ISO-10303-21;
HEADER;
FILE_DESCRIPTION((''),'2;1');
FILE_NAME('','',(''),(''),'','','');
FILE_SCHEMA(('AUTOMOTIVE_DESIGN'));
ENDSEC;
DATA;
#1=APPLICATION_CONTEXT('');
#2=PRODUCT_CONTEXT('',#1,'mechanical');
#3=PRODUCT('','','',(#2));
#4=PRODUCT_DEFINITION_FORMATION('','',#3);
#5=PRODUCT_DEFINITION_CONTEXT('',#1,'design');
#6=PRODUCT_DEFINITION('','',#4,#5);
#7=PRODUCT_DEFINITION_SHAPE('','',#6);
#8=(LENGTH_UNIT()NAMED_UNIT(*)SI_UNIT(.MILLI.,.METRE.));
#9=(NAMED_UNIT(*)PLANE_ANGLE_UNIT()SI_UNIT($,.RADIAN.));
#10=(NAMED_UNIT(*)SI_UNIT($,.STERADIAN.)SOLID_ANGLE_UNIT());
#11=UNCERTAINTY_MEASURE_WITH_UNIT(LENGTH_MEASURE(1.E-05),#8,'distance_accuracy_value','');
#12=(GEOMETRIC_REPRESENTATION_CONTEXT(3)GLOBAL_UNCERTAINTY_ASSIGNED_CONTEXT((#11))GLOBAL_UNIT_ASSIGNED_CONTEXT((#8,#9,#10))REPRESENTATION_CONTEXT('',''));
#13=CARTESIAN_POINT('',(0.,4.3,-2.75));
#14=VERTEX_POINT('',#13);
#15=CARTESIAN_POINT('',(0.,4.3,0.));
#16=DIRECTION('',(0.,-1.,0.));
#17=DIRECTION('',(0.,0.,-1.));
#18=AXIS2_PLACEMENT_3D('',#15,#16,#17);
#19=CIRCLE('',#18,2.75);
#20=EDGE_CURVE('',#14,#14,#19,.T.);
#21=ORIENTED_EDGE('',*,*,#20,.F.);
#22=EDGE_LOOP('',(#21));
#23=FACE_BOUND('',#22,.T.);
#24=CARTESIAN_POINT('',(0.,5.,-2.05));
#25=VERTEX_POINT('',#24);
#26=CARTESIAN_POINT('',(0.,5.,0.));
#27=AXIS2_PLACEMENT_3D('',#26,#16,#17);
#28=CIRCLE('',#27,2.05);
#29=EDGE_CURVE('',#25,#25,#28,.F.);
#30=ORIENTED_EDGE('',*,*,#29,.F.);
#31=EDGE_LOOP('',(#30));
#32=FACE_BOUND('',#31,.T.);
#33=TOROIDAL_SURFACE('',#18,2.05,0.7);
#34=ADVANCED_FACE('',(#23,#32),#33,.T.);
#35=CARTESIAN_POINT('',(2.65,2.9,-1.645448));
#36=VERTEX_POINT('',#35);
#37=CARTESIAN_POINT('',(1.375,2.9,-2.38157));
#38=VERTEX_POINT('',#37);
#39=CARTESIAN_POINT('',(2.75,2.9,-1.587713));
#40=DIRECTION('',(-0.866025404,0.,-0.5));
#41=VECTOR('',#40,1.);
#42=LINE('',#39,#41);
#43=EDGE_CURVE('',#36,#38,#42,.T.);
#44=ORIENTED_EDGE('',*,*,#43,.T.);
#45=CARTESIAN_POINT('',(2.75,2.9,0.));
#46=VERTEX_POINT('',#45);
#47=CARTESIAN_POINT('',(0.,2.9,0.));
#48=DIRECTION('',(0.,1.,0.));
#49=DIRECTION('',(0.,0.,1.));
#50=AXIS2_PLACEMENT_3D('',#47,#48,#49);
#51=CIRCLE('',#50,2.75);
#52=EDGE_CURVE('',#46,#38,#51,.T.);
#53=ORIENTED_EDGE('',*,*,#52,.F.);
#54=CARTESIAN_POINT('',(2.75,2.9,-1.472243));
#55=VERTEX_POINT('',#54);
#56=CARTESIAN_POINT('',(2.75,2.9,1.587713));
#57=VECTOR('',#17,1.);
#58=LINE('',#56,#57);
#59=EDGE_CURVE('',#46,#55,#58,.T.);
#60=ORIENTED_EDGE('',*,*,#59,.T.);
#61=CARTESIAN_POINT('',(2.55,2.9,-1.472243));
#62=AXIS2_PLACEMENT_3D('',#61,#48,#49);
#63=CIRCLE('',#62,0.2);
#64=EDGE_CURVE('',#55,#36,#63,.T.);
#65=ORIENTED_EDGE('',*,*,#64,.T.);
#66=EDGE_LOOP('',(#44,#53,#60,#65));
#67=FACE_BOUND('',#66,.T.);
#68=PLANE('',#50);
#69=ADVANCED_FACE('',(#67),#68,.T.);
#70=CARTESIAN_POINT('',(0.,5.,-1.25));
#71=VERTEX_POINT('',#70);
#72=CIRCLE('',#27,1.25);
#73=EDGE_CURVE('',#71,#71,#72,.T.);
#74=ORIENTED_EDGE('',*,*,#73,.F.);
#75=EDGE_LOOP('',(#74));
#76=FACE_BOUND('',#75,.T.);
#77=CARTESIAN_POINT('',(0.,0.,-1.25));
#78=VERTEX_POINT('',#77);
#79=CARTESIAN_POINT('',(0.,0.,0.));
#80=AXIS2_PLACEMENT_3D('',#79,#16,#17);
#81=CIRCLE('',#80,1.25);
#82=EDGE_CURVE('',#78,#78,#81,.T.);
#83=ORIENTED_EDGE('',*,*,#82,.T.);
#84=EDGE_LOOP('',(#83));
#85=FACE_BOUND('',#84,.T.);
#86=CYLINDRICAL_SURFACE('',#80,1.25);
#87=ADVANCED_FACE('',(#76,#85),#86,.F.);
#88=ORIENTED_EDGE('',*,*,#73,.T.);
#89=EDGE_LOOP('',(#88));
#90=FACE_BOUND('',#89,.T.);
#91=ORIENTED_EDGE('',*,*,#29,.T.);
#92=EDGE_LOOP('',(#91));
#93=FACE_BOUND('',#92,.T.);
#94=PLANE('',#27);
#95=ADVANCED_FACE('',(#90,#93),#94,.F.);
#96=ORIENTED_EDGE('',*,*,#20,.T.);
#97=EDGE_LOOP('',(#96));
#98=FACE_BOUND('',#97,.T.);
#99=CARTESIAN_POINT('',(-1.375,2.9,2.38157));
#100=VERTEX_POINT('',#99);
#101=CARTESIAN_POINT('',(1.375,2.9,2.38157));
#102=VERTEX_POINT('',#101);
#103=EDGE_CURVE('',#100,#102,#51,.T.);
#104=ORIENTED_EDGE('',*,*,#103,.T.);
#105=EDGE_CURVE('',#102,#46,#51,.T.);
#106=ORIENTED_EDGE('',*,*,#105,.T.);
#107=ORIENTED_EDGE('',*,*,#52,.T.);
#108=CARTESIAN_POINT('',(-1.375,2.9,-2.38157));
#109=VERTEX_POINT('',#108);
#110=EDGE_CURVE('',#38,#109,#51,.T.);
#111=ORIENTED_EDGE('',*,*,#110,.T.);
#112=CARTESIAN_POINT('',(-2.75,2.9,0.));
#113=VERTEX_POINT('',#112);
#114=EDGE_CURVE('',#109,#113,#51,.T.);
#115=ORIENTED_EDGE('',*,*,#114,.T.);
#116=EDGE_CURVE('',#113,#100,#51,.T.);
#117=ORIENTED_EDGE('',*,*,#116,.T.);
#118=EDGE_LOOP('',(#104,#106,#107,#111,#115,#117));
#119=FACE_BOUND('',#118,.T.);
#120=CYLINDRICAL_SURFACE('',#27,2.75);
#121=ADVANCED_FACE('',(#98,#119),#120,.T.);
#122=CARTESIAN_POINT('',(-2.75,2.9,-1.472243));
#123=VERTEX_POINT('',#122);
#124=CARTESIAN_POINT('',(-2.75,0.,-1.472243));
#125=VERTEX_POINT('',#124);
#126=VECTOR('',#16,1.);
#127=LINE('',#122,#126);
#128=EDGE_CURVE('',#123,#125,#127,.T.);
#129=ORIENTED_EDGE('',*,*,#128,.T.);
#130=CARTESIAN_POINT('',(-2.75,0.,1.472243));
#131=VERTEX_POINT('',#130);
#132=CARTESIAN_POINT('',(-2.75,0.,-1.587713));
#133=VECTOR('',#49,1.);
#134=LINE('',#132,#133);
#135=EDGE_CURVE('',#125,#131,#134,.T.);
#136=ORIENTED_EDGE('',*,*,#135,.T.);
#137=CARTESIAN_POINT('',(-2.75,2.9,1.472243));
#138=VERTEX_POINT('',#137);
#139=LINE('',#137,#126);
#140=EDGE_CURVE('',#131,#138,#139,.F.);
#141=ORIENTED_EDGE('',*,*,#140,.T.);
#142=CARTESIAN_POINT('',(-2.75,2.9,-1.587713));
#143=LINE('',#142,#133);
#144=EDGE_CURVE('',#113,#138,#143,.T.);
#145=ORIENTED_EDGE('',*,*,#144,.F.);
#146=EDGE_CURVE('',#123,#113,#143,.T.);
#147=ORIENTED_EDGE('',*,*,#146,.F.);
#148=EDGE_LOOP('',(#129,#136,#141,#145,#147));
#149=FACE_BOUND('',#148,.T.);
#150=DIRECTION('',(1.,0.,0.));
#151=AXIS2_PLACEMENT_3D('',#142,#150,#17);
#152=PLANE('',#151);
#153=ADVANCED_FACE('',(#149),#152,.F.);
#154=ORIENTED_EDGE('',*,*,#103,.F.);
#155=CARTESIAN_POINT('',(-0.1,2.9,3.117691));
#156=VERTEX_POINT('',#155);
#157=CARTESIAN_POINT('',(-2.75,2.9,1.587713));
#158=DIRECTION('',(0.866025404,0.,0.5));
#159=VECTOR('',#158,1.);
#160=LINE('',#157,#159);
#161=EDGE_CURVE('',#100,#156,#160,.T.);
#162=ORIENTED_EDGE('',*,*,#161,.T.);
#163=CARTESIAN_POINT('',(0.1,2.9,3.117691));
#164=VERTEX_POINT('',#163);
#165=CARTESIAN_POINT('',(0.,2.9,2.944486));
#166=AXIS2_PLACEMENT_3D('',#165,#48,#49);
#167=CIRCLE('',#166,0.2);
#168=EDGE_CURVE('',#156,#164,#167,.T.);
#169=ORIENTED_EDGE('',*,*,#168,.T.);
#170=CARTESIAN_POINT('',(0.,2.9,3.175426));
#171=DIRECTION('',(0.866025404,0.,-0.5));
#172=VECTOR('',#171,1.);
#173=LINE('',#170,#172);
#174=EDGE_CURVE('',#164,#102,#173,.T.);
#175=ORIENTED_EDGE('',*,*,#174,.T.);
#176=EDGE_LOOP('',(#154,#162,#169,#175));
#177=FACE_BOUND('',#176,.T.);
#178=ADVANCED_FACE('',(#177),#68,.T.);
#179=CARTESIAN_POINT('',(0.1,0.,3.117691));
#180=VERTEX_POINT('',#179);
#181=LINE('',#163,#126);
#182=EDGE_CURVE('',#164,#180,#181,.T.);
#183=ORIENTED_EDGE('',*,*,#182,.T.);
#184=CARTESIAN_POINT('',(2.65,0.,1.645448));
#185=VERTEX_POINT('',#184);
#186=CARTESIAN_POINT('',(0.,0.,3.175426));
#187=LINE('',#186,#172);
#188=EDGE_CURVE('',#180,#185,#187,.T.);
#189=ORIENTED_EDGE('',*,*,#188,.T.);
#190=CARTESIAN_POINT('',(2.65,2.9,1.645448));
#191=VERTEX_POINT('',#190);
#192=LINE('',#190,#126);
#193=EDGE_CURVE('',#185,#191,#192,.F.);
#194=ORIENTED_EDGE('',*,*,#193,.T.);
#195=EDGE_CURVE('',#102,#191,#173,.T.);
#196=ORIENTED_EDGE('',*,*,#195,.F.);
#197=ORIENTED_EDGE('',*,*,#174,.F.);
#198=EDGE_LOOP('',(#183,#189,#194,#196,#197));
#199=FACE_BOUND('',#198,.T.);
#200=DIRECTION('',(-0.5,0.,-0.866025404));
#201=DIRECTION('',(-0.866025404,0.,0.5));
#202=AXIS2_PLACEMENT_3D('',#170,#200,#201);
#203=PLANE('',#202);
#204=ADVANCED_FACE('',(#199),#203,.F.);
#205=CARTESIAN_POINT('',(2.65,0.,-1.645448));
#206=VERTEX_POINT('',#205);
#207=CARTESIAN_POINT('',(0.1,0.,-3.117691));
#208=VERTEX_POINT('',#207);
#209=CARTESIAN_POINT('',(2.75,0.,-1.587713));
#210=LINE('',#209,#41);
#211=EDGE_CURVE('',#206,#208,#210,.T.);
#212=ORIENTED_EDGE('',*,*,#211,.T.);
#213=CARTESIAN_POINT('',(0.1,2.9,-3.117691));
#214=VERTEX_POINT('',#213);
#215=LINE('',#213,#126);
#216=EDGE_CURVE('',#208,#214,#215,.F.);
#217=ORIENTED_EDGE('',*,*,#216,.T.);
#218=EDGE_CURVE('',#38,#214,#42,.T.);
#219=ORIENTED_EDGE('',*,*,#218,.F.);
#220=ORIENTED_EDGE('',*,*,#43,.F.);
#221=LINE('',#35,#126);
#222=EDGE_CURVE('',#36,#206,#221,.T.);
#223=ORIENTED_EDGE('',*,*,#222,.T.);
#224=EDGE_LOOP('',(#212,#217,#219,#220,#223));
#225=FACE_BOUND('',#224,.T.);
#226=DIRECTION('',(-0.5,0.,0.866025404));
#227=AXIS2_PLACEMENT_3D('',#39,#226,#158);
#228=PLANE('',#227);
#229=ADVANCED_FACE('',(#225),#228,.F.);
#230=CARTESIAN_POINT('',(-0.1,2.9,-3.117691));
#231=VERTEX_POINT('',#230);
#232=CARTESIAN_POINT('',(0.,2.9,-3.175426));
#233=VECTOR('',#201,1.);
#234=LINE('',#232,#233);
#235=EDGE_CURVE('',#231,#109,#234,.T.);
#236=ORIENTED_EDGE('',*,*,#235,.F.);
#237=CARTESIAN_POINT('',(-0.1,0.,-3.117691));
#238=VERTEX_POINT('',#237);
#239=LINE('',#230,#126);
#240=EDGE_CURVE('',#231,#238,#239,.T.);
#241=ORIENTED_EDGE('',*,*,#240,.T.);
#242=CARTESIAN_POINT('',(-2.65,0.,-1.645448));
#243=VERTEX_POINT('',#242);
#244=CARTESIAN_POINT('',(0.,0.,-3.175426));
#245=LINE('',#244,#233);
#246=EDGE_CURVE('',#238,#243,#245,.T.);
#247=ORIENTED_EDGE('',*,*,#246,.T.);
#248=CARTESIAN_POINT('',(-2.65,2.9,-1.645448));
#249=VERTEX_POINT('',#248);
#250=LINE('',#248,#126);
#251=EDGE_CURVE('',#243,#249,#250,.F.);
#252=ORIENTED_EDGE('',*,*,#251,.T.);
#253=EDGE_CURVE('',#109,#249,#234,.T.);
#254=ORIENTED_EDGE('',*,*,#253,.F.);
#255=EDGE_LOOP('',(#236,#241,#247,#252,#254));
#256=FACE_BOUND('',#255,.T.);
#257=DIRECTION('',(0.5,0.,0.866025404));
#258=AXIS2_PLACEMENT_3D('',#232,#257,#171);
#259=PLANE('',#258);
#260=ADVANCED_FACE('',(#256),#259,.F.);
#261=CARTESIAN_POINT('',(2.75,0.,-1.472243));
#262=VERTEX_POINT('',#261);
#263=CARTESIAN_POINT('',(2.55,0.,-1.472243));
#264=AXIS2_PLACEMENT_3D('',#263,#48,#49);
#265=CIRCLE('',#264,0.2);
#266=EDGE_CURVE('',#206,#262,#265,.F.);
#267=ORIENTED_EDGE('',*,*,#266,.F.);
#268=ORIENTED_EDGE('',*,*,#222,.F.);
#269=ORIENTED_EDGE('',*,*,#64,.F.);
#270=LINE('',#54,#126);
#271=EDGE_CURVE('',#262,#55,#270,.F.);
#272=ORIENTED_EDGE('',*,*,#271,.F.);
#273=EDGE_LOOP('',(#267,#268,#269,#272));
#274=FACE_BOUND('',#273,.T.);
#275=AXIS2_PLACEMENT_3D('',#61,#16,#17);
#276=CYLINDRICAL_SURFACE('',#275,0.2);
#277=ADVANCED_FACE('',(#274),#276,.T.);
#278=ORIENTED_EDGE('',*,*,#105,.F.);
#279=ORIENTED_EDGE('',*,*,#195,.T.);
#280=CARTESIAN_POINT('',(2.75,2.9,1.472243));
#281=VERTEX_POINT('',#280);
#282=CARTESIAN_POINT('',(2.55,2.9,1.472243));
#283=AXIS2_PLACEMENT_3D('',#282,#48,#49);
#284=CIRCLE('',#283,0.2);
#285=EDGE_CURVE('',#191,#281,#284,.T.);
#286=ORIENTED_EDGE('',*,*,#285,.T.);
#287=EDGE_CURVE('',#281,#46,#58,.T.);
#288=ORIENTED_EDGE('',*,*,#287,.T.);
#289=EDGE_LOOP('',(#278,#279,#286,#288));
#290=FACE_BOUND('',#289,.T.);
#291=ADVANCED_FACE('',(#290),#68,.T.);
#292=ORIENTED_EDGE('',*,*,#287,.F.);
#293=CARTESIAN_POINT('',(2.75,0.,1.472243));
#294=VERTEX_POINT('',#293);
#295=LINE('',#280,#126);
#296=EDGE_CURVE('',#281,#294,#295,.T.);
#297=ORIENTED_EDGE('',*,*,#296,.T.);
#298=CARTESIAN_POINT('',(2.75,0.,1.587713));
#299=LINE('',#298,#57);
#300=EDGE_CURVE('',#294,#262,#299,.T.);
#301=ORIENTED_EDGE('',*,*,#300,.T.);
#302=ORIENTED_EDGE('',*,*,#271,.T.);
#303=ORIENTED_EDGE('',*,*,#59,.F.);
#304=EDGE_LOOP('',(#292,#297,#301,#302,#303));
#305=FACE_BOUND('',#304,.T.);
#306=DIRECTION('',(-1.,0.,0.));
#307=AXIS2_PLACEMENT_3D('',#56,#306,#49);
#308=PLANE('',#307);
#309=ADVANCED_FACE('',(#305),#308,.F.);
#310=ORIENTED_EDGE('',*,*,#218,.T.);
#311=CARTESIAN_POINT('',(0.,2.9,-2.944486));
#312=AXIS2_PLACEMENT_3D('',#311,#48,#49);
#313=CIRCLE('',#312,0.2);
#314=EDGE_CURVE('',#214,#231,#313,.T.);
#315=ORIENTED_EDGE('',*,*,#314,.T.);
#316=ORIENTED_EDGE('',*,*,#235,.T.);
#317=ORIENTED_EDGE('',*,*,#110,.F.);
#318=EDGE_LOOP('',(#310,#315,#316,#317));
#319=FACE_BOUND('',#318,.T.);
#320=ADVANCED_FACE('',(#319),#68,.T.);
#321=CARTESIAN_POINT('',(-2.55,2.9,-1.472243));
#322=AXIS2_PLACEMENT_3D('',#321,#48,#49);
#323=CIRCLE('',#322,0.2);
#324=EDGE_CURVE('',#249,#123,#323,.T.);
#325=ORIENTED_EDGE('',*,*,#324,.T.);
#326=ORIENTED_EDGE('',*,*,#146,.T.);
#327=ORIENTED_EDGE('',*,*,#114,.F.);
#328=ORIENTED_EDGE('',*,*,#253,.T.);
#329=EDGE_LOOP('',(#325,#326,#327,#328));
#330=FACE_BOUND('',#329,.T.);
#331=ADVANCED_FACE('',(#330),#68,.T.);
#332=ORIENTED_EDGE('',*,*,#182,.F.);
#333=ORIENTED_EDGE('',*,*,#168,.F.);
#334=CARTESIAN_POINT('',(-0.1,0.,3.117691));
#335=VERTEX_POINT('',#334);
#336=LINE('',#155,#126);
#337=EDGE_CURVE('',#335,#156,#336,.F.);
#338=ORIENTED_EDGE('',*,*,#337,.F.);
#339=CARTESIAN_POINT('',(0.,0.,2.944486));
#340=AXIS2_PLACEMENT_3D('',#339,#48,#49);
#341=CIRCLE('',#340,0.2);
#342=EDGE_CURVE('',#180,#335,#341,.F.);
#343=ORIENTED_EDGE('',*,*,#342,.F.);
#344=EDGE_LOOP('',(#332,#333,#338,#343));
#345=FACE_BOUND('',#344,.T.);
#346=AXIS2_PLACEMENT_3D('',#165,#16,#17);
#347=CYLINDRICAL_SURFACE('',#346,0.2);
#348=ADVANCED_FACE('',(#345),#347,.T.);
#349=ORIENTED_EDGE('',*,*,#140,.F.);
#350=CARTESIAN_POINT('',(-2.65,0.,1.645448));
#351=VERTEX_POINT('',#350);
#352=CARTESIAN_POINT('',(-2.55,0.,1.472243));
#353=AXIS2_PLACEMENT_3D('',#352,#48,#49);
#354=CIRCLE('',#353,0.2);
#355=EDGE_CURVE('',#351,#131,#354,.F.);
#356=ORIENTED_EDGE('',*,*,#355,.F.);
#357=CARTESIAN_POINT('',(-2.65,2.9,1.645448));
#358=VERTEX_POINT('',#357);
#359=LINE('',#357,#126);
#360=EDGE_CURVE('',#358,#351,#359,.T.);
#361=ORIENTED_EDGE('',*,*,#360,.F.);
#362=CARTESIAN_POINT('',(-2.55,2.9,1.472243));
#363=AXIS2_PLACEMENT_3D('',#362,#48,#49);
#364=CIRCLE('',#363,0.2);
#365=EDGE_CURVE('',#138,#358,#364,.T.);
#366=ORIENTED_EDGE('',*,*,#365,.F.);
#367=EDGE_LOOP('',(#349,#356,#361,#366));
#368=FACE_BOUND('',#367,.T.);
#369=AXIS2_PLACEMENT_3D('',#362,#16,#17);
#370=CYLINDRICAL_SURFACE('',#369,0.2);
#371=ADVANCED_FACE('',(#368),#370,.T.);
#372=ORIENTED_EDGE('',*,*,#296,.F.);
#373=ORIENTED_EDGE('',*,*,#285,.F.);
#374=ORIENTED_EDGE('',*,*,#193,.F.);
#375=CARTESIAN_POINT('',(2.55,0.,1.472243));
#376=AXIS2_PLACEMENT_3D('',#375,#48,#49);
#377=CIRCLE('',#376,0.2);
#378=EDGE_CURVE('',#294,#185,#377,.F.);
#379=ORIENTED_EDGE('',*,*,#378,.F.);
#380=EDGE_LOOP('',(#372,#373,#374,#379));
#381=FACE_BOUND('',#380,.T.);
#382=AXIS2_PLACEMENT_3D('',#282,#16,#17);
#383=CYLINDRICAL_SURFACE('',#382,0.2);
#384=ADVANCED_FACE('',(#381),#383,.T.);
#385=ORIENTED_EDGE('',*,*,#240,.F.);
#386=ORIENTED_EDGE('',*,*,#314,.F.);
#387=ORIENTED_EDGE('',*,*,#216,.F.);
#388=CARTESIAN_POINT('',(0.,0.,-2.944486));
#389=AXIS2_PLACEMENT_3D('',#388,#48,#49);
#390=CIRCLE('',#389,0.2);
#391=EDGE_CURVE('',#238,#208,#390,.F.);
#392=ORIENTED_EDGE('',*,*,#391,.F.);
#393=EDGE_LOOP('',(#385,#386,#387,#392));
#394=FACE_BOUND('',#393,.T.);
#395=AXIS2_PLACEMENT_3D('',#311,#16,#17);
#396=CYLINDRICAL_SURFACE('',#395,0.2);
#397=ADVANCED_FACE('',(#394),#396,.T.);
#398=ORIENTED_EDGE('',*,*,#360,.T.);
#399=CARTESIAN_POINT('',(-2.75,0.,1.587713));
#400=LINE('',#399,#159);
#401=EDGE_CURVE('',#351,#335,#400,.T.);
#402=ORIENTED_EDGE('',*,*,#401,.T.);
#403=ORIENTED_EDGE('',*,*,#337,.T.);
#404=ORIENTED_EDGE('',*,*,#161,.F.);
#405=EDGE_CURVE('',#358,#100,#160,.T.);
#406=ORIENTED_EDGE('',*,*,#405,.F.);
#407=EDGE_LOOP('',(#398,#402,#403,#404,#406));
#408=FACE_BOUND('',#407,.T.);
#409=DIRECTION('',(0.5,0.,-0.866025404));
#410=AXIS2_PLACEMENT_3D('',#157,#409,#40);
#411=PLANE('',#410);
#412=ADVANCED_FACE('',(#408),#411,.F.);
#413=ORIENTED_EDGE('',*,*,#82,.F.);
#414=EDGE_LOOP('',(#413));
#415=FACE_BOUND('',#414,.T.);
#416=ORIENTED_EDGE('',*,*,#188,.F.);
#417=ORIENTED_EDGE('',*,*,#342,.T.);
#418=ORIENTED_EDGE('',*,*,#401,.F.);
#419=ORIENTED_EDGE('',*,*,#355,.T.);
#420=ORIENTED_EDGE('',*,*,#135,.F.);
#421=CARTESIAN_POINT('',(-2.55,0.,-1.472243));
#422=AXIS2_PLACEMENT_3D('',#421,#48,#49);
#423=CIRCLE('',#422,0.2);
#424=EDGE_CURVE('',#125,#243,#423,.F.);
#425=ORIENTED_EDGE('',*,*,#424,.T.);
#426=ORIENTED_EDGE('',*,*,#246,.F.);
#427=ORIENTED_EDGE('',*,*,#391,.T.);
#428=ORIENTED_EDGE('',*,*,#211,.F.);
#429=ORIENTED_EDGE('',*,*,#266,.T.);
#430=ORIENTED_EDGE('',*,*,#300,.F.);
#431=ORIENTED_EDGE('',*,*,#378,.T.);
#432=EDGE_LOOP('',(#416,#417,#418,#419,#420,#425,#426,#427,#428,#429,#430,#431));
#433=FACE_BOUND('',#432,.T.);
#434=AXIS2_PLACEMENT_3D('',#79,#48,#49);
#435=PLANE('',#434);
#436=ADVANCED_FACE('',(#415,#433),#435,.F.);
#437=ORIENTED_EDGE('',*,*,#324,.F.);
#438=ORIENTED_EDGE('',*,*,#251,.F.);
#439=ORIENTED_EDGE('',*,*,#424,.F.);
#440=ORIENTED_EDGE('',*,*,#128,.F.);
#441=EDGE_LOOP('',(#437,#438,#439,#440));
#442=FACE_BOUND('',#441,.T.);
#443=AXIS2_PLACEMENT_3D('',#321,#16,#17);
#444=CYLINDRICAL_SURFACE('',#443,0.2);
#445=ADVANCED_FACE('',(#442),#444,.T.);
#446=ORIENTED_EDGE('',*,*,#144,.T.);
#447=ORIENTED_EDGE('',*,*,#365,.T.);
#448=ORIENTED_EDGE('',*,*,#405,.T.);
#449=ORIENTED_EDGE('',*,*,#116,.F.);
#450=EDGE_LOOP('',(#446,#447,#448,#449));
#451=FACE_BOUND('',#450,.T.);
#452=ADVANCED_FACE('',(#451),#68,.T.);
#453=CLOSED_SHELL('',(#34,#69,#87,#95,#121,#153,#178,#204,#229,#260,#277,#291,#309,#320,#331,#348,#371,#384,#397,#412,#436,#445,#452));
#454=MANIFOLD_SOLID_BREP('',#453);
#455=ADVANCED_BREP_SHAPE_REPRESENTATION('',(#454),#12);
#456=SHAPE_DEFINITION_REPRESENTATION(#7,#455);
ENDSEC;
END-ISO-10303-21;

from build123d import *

# Parameters (mm, degrees)
EXTRUDE_1_DEPTH        = 2.9
SKETCH_2_R             = 2.75
EXTRUDE_2_DEPTH        = 5
FILLET_2_R             = 0.7
HOLE_WIZARD_M3_1_D     = 2.5
HOLE_WIZARD_M3_1_DEPTH = 10.1
HOLE_WIZARD_M3_1_TIP   = 0.751075774
FILLET_4_R             = 0.2


with BuildPart() as part:
    # 草图1 → 凸台-拉伸1 (new body)
    with BuildSketch(Plane(origin=(0, 0, 0), x_dir=(1, 0, 0), z_dir=(0, 1, 0))):
        Polygon((2.75, -1.58771324), (2.75, 1.58771324), (0, 3.175426481), (-2.75, 1.58771324), (-2.75, -1.58771324), (0, -3.175426481), align=None)
    extrude(amount=EXTRUDE_1_DEPTH)

    # 草图2 → 凸台-拉伸2 (add)
    with BuildSketch(Plane(origin=(0, 0, 0), x_dir=(-1, 0, 0), z_dir=(0, -1, 0))):
        with Locations(Location((0, 0, 0), (0, 0, 90))):
            Circle(SKETCH_2_R)
    extrude(amount=-EXTRUDE_2_DEPTH)

    # 圆角2
    fillet_2_edges = [part.edges().sort_by_distance(p)[0] for p in [
        (0, 5, 2.75),
    ]]
    fillet(fillet_2_edges, radius=FILLET_2_R)

    # M3 螺纹孔1
    with Locations(Plane(origin=(0, 0, 0), x_dir=(-1, 0, 0), z_dir=(0, -1, 0))):
        with Locations((0, 0)):
            Hole(HOLE_WIZARD_M3_1_D / 2, depth=HOLE_WIZARD_M3_1_DEPTH)
            with Locations((0, 0, -(HOLE_WIZARD_M3_1_DEPTH + HOLE_WIZARD_M3_1_TIP / 2))):  # 118° drill point
                Cone(0, HOLE_WIZARD_M3_1_D / 2, HOLE_WIZARD_M3_1_TIP, mode=Mode.SUBTRACT)

    # 圆角4
    fillet_4_edges = [part.edges().sort_by_distance(p)[0] for p in [
        (0, 1.45, 3.175426481),
        (-2.75, 1.45, 1.58771324),
        (-2.75, 1.45, -1.58771324),
        (0, 1.45, -3.175426481),
        (2.75, 1.45, -1.58771324),
        (2.75, 1.45, 1.58771324),
    ]]
    fillet(fillet_4_edges, radius=FILLET_4_R)


solid = part.part
